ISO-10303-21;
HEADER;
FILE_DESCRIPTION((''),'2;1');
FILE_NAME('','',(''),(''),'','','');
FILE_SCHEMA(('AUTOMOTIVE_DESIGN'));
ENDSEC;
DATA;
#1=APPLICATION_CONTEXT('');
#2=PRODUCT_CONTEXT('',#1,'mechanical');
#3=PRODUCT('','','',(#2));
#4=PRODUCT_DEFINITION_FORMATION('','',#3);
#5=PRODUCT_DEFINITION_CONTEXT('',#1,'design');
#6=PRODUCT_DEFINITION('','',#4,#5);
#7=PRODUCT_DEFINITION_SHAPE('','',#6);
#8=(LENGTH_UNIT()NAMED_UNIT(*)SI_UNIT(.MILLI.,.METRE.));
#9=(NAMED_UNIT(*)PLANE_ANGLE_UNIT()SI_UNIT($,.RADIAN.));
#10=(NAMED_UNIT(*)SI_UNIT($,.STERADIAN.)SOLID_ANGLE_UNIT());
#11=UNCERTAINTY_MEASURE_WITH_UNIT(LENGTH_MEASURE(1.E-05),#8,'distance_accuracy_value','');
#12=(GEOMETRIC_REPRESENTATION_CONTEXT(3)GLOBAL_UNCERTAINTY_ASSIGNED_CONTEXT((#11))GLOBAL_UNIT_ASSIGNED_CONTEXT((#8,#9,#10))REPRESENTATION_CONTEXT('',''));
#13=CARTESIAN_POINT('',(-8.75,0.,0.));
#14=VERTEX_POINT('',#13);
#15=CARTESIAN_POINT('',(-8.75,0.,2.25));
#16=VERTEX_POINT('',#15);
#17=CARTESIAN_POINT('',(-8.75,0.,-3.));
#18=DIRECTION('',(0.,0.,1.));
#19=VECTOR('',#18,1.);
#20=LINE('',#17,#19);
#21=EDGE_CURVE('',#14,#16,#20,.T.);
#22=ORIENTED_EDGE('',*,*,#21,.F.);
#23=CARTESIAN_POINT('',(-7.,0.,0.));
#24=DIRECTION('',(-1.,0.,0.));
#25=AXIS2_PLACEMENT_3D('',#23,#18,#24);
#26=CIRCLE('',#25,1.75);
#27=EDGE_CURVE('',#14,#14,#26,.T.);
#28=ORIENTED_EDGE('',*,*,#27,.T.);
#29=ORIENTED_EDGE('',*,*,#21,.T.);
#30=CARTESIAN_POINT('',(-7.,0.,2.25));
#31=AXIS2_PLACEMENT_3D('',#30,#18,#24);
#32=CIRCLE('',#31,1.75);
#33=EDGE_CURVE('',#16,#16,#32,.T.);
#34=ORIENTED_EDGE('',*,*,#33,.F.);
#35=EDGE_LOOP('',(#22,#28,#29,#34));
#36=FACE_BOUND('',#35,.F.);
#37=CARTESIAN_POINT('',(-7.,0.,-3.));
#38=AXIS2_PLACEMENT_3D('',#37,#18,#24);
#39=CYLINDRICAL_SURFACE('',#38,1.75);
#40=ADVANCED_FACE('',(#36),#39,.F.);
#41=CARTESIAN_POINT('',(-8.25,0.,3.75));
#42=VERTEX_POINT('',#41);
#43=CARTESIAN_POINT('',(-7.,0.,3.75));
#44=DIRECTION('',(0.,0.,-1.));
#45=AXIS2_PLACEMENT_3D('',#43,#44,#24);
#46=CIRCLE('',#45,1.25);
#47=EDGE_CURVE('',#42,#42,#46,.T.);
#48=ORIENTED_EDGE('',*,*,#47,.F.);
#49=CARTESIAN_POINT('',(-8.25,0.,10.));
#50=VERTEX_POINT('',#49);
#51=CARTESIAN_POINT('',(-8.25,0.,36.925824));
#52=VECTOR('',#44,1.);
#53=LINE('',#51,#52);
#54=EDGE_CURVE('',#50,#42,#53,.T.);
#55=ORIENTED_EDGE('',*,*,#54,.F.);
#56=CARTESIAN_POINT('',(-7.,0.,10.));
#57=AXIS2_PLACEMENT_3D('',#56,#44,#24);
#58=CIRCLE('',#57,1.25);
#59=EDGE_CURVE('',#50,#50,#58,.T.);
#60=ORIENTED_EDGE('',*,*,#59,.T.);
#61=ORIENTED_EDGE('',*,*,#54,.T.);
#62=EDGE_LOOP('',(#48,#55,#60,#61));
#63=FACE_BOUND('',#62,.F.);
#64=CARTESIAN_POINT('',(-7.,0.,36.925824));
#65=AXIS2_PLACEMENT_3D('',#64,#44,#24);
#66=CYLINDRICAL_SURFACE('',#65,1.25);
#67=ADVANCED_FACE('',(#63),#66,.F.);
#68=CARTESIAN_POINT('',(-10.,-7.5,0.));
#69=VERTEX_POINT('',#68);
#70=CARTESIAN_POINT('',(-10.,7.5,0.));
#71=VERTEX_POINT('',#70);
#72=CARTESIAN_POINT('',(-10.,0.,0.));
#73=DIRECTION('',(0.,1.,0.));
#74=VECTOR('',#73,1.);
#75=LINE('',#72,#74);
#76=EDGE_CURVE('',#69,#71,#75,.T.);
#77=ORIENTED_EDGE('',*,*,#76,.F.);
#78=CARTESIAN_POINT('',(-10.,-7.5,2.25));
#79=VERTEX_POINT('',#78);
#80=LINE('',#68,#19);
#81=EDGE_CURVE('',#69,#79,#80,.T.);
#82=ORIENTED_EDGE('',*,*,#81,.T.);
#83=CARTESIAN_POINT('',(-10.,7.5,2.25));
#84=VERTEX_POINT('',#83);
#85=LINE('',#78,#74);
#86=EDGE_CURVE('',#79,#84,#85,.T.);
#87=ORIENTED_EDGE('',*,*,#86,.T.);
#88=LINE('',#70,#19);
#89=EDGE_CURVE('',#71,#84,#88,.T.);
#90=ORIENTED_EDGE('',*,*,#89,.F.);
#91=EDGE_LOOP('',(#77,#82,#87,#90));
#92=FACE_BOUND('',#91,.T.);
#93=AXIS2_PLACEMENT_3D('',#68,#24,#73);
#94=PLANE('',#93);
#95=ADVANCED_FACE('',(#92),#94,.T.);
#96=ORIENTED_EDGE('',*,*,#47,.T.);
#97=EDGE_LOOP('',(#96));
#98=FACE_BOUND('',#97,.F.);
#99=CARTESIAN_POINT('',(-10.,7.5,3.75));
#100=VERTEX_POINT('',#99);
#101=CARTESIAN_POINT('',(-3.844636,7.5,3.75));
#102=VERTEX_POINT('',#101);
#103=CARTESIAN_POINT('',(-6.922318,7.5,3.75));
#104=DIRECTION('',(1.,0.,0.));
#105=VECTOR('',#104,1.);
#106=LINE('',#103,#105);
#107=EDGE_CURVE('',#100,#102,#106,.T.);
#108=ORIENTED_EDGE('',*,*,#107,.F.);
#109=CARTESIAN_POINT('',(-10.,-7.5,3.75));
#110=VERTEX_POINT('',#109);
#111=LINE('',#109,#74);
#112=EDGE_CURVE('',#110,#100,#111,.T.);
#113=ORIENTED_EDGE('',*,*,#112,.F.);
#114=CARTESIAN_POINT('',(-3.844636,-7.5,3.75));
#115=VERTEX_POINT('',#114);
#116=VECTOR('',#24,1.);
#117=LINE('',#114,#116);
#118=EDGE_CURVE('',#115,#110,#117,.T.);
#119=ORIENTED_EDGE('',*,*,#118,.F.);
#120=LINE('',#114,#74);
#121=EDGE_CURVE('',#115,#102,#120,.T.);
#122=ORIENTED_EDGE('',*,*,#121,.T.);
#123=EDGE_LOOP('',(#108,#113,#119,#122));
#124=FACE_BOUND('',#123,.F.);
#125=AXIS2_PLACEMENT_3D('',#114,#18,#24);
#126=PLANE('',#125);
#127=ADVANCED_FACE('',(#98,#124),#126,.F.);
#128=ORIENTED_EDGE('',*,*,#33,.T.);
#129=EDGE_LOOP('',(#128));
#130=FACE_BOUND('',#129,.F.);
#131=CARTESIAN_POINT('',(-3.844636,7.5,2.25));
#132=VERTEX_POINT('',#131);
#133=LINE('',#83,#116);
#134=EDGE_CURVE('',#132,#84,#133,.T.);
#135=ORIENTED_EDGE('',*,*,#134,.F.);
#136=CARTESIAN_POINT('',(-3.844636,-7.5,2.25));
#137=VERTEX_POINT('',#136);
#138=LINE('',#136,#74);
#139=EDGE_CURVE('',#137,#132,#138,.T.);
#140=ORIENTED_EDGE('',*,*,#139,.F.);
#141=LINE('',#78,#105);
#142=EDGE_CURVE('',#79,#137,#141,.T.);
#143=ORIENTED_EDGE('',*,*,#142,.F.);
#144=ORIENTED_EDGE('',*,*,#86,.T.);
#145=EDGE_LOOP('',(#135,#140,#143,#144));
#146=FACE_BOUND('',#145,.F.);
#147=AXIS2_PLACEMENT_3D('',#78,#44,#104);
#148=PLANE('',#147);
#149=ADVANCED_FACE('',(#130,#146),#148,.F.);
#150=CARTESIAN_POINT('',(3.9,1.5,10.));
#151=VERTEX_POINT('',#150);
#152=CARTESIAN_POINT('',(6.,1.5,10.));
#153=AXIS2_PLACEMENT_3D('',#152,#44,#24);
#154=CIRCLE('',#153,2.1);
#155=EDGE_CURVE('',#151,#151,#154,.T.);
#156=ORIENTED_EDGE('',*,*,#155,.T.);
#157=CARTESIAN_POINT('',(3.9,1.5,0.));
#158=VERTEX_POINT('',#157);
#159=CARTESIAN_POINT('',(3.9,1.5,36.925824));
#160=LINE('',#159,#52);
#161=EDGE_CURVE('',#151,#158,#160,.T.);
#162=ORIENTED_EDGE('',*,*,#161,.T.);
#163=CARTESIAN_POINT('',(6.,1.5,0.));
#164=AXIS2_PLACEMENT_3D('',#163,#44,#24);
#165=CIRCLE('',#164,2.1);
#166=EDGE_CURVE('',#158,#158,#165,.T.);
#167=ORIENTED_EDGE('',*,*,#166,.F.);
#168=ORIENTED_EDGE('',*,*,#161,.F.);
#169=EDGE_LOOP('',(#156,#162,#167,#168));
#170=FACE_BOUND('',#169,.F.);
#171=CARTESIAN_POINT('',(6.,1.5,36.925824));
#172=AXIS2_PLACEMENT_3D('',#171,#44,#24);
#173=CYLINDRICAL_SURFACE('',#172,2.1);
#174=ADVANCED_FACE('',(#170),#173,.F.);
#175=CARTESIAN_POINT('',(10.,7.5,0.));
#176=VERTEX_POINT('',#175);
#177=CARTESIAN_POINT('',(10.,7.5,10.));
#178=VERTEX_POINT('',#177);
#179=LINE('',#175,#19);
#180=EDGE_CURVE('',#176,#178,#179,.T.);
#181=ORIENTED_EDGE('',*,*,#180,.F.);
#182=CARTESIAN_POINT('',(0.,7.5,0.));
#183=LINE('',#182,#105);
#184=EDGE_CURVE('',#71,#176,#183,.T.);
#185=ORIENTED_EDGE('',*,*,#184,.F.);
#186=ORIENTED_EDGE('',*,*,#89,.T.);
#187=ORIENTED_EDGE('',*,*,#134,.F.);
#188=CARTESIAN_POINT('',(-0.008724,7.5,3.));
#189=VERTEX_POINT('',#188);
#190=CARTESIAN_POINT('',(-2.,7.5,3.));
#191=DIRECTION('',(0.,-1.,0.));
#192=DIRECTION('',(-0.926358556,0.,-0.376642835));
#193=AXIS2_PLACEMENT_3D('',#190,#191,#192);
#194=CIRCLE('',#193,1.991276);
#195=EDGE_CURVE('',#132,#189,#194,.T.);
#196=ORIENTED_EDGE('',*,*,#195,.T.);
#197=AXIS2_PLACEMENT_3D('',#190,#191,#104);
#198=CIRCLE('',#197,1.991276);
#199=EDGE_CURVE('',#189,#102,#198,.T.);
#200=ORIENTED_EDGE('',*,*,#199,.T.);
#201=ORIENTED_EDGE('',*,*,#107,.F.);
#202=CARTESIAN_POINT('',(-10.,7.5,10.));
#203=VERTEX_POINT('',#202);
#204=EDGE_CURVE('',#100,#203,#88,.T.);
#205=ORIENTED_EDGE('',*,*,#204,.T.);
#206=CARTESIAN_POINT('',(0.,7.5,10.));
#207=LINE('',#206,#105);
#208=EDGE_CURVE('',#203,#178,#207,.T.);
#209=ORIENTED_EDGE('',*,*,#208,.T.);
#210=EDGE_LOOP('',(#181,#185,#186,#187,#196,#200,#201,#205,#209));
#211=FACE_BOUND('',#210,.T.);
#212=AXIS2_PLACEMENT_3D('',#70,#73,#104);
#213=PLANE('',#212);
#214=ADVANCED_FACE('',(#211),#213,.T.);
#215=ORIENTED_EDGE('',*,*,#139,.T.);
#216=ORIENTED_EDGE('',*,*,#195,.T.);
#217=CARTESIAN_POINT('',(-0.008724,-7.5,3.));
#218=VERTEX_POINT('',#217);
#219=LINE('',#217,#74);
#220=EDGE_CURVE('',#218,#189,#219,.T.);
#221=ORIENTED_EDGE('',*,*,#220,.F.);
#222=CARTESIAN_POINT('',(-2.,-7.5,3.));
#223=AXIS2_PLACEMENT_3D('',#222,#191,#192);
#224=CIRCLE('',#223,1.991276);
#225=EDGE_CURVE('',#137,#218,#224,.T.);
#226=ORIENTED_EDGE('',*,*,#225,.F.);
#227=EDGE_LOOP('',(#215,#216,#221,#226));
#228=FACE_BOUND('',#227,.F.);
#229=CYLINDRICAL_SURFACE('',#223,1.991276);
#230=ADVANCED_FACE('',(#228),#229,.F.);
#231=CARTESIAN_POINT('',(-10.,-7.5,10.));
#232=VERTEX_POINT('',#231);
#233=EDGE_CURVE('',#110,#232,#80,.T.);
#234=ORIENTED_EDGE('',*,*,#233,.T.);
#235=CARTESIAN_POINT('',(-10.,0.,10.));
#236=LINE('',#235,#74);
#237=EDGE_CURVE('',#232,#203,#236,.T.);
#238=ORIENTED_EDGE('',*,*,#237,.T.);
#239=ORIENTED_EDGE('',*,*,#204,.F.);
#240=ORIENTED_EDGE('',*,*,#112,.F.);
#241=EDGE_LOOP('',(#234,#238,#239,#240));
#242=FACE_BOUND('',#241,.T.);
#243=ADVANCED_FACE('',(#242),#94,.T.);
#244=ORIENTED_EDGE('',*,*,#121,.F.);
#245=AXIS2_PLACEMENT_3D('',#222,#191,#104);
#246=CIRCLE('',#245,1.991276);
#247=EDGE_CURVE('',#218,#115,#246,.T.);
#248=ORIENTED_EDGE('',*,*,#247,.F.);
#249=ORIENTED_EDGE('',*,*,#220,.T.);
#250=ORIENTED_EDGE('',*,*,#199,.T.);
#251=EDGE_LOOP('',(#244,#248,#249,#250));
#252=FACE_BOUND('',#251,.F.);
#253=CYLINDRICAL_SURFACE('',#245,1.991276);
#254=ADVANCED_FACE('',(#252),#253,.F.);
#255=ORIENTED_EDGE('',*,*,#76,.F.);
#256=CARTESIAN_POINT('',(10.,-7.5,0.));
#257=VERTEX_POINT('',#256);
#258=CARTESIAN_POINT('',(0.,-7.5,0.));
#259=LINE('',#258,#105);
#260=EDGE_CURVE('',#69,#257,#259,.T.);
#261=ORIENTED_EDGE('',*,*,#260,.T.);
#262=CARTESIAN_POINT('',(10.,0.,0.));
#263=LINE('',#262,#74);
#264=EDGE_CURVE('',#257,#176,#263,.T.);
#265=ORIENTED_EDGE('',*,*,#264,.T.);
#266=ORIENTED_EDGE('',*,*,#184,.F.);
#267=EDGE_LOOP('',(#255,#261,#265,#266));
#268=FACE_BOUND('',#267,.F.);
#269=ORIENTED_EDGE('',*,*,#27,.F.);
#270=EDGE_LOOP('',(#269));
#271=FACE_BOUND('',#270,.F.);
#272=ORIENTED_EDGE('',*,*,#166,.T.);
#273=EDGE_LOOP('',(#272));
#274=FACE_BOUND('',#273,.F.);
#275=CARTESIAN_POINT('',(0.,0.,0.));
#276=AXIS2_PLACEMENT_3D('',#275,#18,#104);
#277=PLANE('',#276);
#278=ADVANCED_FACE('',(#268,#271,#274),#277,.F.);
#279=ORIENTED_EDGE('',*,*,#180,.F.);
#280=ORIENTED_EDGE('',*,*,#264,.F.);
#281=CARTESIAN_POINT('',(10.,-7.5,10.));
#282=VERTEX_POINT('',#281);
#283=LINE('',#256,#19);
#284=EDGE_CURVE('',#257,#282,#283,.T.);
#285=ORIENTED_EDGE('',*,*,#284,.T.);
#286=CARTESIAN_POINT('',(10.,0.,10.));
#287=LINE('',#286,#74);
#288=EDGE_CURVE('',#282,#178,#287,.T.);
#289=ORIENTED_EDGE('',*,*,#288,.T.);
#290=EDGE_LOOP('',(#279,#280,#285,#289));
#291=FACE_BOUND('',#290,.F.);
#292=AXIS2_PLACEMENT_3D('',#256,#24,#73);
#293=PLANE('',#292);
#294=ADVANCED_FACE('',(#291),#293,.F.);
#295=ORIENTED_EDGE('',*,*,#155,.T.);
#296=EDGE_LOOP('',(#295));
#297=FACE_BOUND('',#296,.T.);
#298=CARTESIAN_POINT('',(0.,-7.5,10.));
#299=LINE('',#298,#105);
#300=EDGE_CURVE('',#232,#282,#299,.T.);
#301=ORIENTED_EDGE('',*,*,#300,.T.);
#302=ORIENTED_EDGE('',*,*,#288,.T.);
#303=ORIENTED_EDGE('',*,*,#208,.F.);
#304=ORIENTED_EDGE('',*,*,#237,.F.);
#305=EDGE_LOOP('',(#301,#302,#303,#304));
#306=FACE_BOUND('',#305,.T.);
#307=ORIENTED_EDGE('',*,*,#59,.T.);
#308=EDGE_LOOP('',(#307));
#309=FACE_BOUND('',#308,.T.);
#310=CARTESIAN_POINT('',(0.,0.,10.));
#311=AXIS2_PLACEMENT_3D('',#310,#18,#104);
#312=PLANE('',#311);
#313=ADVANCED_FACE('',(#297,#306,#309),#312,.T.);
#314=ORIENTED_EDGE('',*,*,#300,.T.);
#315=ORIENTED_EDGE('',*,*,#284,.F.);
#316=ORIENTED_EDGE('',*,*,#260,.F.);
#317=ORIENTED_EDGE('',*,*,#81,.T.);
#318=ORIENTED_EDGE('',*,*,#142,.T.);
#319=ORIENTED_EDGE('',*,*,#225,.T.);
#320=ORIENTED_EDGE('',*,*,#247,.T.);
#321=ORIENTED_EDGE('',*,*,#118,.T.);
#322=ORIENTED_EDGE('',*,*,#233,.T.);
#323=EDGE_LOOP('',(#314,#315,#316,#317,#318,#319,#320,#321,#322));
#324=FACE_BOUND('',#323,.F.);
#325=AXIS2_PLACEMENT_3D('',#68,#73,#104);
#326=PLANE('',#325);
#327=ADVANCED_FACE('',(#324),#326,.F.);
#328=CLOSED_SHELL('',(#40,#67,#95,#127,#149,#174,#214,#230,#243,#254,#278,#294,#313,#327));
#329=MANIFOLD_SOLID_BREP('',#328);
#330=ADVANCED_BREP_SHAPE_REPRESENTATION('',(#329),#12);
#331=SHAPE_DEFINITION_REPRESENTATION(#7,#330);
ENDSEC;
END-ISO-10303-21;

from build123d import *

# Parameters (mm, degrees)
F0_W     = 20
F0_H     = 15
F1_DEPTH = 10
F3_D     = 4.2
F5_DEPTH = 15.001
F7_D     = 3.5
F7_DEPTH = 3
F7_TIP   = 1.0515060833
F9_D     = 2.5


with BuildPart() as f1:
    # F0 (on Top) → F1 (new body)
    with BuildSketch(Plane.XY):
        Rectangle(F0_W, F0_H)
    extrude(amount=F1_DEPTH)

    # F3 (through all)
    with Locations(Plane.XY.offset(10)):
        with Locations((6, 1.5)):
            Hole(F3_D / 2)

    # F4 (on face) → F5 (cut, through all)
    with BuildSketch(Plane.XZ.offset(7.5)):
        with BuildLine():
            ThreePointArc((-3.8446359594, 2.25), (-1.6178994152, 1.0457275099), (-0.0087235695, 3))
            ThreePointArc((-0.0087235695, 3), (-1.6178994152, 4.9542724901), (-3.8446359594, 3.75))
            ThreePointArc((-3.8446359594, 3.75), (-3.9912764305, 3), (-3.8446359594, 2.25))
        make_face()
        with BuildLine():
            ThreePointArc((-3.8446359594, 2.25), (-3.9912764305, 3), (-3.8446359594, 3.75))
            Line((-3.8446359594, 3.75), (-10, 3.75))
            Line((-10, 3.75), (-10, 2.25))
            Line((-10, 2.25), (-3.8446359594, 2.25))
        make_face()
    extrude(amount=-F5_DEPTH, mode=Mode.SUBTRACT)

    # F7
    with Locations(Plane(origin=(0, 0, 0), x_dir=(1, 0, 0), z_dir=(0, 0, -1))):
        with Locations((-7, 0)):
            Hole(F7_D / 2, depth=F7_DEPTH)
            with Locations((0, 0, -(F7_DEPTH + F7_TIP / 2))):  # 118° drill point
                Cone(0, F7_D / 2, F7_TIP, mode=Mode.SUBTRACT)

    # F9 (through all)
    with Locations(Plane.XY.offset(10)):
        with Locations((-7, 0)):
            Hole(F9_D / 2)


solid = f1.part
